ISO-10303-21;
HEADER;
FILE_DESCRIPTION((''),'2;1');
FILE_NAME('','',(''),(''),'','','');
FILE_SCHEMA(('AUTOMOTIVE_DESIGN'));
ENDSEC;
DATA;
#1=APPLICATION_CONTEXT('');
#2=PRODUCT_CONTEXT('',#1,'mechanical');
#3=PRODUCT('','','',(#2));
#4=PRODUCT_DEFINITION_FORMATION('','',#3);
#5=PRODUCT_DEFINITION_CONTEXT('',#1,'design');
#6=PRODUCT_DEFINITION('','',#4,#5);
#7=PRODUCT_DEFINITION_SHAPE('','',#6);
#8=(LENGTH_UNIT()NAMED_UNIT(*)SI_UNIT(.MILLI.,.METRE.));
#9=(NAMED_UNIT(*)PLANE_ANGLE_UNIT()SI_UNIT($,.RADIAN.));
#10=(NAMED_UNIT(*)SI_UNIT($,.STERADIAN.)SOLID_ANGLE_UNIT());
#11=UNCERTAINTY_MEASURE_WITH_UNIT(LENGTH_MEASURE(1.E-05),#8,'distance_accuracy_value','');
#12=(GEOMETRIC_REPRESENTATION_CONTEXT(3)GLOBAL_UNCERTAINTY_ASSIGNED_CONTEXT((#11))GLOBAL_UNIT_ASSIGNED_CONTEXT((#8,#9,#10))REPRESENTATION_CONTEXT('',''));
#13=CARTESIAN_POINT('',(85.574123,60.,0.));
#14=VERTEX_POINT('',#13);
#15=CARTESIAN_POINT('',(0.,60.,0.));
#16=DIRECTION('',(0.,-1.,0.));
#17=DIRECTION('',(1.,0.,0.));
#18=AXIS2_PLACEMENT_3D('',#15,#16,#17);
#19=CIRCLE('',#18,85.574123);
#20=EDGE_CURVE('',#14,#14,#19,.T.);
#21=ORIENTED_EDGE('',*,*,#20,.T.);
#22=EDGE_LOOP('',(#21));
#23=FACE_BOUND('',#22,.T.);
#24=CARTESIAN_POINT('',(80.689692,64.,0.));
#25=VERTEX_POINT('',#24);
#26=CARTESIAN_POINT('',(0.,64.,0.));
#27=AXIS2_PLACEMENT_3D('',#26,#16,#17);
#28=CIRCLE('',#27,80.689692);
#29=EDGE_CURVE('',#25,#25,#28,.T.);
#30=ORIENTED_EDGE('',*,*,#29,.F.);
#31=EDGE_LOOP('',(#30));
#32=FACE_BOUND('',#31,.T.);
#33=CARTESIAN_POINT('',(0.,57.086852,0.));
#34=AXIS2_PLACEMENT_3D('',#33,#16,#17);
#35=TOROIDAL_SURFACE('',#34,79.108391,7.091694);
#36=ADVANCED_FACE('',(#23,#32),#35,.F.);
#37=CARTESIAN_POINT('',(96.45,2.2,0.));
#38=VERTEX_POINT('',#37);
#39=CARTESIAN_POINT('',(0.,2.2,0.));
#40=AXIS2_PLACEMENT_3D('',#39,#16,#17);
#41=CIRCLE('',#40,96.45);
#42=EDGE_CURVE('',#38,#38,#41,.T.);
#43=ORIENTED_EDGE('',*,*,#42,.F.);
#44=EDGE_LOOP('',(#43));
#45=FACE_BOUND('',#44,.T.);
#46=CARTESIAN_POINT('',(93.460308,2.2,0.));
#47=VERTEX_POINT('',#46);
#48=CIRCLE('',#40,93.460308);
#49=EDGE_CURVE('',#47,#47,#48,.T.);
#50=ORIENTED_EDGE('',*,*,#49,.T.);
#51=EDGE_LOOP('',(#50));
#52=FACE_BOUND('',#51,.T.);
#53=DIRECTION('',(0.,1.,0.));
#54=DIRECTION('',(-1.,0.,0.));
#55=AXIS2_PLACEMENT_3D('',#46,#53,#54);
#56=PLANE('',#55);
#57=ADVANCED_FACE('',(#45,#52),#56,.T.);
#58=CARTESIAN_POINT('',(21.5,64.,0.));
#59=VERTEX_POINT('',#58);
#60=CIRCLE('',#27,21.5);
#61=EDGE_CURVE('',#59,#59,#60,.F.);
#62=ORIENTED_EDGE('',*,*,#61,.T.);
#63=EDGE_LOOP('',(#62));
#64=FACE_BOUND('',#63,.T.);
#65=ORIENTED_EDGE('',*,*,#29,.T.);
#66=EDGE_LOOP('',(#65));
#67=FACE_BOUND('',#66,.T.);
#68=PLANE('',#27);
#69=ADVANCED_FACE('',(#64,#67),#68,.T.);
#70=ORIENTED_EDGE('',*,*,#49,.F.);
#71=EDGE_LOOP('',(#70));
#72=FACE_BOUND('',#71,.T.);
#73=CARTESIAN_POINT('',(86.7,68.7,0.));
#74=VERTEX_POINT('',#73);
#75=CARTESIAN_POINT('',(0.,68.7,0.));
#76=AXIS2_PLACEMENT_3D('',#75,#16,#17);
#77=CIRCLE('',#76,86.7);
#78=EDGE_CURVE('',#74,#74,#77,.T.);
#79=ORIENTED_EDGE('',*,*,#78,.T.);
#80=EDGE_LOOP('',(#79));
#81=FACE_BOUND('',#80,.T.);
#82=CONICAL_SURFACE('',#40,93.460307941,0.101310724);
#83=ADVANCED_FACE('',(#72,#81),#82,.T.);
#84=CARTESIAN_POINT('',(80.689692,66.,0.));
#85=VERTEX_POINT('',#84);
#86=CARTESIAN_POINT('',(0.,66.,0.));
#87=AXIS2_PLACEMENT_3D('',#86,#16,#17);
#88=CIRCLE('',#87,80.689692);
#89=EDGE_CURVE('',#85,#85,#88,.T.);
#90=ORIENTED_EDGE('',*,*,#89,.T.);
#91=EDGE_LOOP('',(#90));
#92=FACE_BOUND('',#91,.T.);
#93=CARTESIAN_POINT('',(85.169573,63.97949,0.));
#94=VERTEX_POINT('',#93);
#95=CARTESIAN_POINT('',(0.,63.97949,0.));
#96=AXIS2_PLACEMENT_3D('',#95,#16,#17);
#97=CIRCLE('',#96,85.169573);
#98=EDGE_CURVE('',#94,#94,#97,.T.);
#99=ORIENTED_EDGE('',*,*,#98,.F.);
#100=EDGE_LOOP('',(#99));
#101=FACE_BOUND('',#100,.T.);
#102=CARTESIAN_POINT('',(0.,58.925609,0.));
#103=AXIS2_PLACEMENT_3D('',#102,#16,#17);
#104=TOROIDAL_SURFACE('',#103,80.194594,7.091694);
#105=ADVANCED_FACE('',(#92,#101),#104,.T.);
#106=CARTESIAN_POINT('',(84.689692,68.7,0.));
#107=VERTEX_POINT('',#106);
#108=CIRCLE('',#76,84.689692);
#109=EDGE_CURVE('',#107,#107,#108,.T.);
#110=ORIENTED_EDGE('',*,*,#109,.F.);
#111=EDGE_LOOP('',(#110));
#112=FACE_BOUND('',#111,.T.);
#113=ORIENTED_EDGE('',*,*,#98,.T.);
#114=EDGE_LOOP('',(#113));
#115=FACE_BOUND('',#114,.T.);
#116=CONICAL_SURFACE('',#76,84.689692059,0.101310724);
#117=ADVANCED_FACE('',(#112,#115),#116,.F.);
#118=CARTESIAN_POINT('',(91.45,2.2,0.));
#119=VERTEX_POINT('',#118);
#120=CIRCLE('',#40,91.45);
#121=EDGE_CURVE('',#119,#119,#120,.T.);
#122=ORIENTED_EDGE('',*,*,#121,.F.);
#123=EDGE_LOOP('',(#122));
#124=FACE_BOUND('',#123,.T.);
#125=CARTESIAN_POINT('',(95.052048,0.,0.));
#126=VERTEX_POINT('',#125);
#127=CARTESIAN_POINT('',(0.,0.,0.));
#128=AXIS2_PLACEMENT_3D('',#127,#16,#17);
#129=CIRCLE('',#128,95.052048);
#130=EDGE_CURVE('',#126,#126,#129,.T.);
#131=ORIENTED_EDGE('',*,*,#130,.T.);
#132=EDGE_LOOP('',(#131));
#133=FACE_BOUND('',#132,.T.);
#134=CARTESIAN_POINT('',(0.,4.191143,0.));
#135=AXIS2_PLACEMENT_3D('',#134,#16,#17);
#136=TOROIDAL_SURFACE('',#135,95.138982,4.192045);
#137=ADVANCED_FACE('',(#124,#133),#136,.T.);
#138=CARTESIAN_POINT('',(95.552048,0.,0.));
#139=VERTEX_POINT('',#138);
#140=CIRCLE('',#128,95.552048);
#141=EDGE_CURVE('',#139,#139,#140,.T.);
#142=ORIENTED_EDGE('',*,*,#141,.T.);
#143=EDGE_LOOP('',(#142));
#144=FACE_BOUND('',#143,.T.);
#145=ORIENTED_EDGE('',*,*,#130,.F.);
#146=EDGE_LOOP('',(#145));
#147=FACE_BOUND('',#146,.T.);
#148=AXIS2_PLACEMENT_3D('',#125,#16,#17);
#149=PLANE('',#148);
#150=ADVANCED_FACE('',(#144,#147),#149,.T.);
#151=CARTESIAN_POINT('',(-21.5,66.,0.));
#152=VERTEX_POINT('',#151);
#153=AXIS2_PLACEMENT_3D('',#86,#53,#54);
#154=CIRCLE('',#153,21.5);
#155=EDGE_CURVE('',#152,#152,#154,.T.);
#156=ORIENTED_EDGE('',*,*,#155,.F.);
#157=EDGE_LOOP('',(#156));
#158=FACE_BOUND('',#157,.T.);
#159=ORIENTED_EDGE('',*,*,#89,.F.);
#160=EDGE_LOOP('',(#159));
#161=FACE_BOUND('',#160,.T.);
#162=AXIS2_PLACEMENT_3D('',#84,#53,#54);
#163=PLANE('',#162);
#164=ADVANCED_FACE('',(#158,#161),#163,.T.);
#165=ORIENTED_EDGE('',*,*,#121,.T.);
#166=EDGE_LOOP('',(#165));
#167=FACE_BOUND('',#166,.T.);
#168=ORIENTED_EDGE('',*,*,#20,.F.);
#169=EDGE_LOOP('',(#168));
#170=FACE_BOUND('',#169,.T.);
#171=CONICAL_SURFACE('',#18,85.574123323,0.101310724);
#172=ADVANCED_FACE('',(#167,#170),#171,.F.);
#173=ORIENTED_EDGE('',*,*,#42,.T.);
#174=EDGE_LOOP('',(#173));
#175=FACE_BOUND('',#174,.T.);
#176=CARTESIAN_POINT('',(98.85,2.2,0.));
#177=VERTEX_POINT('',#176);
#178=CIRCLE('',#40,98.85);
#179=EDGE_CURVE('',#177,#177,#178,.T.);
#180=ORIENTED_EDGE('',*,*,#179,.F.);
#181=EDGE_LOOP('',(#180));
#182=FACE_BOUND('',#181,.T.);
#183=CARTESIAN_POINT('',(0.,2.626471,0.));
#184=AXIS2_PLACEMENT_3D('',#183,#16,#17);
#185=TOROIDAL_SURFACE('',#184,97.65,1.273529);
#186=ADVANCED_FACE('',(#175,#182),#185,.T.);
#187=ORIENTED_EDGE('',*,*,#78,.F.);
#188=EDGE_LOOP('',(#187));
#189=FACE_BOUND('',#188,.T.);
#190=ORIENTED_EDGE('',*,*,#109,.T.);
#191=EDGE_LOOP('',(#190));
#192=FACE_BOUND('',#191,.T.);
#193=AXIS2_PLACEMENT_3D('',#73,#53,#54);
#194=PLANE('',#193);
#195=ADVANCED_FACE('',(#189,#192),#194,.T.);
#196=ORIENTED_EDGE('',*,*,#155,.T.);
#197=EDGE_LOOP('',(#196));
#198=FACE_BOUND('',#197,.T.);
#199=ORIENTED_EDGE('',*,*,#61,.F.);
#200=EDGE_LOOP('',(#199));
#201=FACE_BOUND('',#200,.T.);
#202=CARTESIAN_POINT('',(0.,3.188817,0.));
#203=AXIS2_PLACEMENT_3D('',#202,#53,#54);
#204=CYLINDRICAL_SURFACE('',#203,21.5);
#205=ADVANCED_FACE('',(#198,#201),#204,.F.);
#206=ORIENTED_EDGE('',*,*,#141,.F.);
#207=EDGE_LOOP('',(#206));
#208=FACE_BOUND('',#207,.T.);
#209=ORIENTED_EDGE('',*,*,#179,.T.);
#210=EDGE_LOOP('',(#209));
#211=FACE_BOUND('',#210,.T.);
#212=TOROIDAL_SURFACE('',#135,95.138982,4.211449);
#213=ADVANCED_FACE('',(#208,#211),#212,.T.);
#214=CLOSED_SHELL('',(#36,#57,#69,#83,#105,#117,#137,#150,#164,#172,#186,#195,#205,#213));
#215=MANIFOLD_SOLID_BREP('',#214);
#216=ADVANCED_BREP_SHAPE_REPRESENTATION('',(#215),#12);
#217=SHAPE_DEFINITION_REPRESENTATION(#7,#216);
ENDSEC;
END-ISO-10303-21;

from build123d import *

# Parameters (mm, degrees)
SKETCH2_R                        = 21.5
DISTANCE_HOLE_CUT_EXTRUDE1_DEPTH = 2


with BuildPart() as part:
    # Sketch1 → Chassi Revolve1 (revolve)
    with BuildSketch(Plane.XY):
        with BuildLine():
            Line((86.7, 68.7), (93.460307941, 2.2))
            Line((93.460307941, 2.2), (96.45, 2.2))
            ThreePointArc((96.45, 2.2), (97.65, 3.9), (98.85, 2.2))
            ThreePointArc((98.85, 2.2), (97.47607781, 0.687675162), (95.552047802, 0))
            Line((95.552047802, 0), (95.052047802, 0))
            ThreePointArc((95.052047802, 0), (92.953945214, 0.613594712), (91.45, 2.2))
            Line((91.45, 2.2), (85.574123323, 60))
            ThreePointArc((85.574123323, 60), (83.601573198, 62.573512221), (80.689692059, 64))
            Line((80.689692059, 64), (0, 64))
            Line((0, 64), (0, 66))
            Line((0, 66), (80.689692059, 66))
            ThreePointArc((80.689692059, 66), (83.110250345, 65.390210948), (85.169573298, 63.979489826))
            Line((85.169573298, 63.979489826), (84.689692059, 68.7))
            Line((84.689692059, 68.7), (86.7, 68.7))
        make_face()
    revolve(axis=Axis((0, 0, 0), (0, 1, 0)))

    # Sketch2 → Distance Hole Cut-Extrude1 (cut)
    with BuildSketch(Plane(origin=(0, 66, 0), x_dir=(1, 0, 0), z_dir=(0, 1, 0))):
        with Locations(Location((0, 0, 0), (0, 0, 180))):
            Circle(SKETCH2_R)
    extrude(amount=-DISTANCE_HOLE_CUT_EXTRUDE1_DEPTH, mode=Mode.SUBTRACT)


solid = part.part
